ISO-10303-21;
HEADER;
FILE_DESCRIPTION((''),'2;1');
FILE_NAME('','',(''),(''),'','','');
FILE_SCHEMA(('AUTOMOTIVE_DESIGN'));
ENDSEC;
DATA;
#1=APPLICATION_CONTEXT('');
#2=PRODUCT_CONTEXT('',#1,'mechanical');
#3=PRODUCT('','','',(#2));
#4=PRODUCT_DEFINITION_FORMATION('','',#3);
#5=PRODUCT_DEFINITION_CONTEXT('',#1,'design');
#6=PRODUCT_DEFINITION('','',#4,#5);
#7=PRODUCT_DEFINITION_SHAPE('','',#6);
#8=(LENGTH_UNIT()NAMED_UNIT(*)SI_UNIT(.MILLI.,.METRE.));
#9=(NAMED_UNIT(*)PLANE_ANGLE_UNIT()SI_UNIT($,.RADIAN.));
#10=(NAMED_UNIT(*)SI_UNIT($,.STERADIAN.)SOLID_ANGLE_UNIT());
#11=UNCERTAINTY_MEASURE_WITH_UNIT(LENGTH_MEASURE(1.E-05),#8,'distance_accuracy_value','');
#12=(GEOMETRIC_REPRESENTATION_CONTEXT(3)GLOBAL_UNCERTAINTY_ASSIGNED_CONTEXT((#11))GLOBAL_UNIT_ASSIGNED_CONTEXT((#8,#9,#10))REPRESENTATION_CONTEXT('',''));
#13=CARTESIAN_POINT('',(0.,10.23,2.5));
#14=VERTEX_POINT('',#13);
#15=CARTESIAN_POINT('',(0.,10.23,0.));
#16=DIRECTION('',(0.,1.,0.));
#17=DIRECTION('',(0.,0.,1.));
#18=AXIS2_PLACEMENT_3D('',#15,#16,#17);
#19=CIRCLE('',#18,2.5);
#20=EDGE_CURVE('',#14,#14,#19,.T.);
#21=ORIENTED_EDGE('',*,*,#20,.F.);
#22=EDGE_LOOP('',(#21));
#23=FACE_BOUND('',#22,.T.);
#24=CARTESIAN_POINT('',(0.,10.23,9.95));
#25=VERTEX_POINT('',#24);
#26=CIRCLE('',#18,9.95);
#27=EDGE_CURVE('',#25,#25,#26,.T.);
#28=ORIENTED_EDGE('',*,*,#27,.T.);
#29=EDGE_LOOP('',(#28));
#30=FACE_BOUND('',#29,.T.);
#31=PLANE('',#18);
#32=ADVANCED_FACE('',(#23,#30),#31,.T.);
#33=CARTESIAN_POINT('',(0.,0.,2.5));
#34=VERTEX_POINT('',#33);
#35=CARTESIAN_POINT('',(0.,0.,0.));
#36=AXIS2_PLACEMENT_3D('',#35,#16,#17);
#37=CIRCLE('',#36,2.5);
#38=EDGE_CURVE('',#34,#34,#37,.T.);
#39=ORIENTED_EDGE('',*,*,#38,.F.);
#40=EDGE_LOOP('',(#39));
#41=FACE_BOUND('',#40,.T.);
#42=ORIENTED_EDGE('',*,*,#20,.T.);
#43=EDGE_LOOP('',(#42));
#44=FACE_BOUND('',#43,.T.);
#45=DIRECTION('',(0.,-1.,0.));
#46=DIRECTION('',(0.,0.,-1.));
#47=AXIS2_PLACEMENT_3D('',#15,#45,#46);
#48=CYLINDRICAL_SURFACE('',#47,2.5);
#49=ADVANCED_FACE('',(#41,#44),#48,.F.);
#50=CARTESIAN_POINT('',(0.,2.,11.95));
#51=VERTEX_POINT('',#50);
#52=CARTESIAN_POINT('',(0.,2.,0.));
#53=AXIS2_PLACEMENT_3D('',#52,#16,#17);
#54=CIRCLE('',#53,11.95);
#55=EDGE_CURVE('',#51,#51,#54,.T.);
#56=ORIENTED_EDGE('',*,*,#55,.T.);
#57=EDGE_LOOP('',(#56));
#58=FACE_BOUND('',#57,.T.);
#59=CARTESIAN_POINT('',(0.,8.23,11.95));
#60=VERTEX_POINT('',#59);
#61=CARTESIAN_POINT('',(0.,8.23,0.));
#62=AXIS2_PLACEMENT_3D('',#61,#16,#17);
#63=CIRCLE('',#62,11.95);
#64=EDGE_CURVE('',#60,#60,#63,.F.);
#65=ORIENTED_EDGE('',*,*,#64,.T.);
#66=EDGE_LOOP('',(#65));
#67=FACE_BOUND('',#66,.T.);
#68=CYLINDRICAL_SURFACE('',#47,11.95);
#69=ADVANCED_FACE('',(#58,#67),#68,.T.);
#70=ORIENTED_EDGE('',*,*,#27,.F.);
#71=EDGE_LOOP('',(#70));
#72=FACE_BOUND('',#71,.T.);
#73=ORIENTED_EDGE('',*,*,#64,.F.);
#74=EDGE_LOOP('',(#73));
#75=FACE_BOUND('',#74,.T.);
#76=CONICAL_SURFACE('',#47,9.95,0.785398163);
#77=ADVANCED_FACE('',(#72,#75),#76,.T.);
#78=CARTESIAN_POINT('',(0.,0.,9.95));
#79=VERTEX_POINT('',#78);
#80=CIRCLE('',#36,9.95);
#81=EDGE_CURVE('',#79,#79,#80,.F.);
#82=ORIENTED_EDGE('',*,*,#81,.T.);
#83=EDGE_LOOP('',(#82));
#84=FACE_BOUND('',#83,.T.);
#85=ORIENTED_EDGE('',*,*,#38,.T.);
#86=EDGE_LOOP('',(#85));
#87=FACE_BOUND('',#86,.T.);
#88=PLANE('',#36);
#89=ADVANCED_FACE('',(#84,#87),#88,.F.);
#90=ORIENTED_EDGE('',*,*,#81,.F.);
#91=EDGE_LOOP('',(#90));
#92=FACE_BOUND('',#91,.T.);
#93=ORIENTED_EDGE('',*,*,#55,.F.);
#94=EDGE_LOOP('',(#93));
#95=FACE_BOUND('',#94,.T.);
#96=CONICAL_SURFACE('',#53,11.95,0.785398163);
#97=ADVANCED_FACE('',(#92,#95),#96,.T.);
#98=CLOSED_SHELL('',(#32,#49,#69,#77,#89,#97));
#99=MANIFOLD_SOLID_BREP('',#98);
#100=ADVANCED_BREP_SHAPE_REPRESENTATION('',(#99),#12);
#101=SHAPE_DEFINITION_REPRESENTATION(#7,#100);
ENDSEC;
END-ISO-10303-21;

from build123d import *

# Parameters (mm, degrees)
SKETCH1_R           = 11.95
SKETCH1_R_2         = 7.985
BOSS_EXTRUDE1_DEPTH = 10.23
CHAMFER1_SIZE       = 2
SKETCH2_R           = 7.985
SKETCH2_R_2         = 2.5
BOSS_EXTRUDE3_DEPTH = 10.23


with BuildPart() as part:
    # Sketch1 → Boss-Extrude1 (new body)
    with BuildSketch(Plane(origin=(0, 0, 0), x_dir=(1, 0, 0), z_dir=(0, 1, 0))):
        with Locations(Location((0, 0, 0), (0, 0, 270))):
            Circle(SKETCH1_R)
        with Locations(Location((0, 0, 0), (0, 0, 270))):
            Circle(SKETCH1_R_2, mode=Mode.SUBTRACT)
    extrude(amount=BOSS_EXTRUDE1_DEPTH)

    # Chamfer1
    chamfer1_edges = [part.edges().sort_by_distance(p)[0] for p in [
        (0, 0, -11.95),
        (0, 10.23, -11.95),
    ]]
    chamfer(chamfer1_edges, length=CHAMFER1_SIZE)

    # Sketch2 → Boss-Extrude3 (add)
    with BuildSketch(Plane(origin=(0, 0, 0), x_dir=(1, 0, 0), z_dir=(0, 1, 0))):
        Circle(SKETCH2_R)
        with Locations(Location((0, 0, 0), (0, 0, 270))):
            Circle(SKETCH2_R_2, mode=Mode.SUBTRACT)
    extrude(amount=BOSS_EXTRUDE3_DEPTH)


solid = part.part
